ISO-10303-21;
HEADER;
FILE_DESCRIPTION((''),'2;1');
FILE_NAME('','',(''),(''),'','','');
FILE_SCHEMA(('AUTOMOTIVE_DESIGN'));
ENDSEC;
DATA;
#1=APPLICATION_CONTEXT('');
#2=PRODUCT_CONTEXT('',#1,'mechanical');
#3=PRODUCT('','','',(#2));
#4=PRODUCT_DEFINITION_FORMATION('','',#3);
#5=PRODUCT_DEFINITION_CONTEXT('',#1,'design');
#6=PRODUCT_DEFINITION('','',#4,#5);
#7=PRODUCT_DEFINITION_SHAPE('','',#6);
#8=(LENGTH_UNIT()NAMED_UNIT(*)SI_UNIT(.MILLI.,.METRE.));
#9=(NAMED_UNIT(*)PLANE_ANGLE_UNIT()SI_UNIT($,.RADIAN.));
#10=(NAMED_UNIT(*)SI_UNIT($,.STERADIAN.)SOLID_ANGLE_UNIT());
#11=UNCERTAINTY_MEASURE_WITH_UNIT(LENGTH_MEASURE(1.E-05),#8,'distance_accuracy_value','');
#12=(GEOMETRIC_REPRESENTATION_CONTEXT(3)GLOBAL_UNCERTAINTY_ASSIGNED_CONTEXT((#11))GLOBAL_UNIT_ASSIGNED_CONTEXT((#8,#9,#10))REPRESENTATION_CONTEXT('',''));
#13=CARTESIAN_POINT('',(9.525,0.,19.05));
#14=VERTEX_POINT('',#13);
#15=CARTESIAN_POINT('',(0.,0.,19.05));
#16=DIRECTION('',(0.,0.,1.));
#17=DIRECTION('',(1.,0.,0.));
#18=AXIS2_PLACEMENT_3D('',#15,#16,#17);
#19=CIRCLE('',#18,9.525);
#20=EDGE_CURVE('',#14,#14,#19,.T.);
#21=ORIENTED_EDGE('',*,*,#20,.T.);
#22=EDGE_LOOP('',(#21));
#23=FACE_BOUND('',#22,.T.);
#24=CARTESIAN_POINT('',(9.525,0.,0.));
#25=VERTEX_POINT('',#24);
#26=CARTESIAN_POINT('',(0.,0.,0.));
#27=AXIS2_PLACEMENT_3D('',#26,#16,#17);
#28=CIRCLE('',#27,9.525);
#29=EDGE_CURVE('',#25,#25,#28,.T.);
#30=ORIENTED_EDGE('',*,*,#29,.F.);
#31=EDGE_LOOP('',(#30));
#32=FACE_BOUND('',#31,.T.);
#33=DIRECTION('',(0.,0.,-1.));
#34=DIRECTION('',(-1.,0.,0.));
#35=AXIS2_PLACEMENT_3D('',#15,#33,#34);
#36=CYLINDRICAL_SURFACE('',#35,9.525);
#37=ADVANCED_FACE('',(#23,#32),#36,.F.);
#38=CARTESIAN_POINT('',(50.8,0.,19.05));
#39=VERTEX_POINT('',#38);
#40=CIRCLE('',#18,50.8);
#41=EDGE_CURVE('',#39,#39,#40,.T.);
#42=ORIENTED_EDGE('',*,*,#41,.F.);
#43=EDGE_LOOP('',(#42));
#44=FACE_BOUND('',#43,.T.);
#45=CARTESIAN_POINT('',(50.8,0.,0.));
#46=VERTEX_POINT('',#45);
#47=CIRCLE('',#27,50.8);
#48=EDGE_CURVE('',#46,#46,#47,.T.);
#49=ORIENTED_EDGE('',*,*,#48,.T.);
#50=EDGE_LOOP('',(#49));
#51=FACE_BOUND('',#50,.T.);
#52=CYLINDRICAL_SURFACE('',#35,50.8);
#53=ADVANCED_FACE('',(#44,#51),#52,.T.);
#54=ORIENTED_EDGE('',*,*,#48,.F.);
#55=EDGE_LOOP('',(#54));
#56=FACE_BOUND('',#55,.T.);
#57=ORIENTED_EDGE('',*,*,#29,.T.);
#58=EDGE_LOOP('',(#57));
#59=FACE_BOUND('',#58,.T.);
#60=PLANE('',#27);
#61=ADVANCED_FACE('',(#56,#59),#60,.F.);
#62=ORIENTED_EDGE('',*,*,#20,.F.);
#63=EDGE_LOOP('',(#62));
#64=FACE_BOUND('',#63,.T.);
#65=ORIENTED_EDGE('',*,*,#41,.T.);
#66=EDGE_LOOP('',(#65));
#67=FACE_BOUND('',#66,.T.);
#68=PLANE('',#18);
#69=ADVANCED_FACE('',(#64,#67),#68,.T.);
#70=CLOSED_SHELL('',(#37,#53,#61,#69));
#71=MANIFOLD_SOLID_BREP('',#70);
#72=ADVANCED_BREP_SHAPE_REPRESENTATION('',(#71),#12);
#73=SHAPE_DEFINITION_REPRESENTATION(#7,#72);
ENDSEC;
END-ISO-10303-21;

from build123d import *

# Parameters (mm, degrees)
SKETCH1_R           = 50.8
SKETCH1_R_2         = 9.525
BOSS_EXTRUDE1_DEPTH = 19.05


with BuildPart() as part:
    # Sketch1 → Boss-Extrude1 (new body)
    with BuildSketch(Plane.XY):
        Circle(SKETCH1_R)
        Circle(SKETCH1_R_2, mode=Mode.SUBTRACT)
    extrude(amount=BOSS_EXTRUDE1_DEPTH)


solid = part.part
